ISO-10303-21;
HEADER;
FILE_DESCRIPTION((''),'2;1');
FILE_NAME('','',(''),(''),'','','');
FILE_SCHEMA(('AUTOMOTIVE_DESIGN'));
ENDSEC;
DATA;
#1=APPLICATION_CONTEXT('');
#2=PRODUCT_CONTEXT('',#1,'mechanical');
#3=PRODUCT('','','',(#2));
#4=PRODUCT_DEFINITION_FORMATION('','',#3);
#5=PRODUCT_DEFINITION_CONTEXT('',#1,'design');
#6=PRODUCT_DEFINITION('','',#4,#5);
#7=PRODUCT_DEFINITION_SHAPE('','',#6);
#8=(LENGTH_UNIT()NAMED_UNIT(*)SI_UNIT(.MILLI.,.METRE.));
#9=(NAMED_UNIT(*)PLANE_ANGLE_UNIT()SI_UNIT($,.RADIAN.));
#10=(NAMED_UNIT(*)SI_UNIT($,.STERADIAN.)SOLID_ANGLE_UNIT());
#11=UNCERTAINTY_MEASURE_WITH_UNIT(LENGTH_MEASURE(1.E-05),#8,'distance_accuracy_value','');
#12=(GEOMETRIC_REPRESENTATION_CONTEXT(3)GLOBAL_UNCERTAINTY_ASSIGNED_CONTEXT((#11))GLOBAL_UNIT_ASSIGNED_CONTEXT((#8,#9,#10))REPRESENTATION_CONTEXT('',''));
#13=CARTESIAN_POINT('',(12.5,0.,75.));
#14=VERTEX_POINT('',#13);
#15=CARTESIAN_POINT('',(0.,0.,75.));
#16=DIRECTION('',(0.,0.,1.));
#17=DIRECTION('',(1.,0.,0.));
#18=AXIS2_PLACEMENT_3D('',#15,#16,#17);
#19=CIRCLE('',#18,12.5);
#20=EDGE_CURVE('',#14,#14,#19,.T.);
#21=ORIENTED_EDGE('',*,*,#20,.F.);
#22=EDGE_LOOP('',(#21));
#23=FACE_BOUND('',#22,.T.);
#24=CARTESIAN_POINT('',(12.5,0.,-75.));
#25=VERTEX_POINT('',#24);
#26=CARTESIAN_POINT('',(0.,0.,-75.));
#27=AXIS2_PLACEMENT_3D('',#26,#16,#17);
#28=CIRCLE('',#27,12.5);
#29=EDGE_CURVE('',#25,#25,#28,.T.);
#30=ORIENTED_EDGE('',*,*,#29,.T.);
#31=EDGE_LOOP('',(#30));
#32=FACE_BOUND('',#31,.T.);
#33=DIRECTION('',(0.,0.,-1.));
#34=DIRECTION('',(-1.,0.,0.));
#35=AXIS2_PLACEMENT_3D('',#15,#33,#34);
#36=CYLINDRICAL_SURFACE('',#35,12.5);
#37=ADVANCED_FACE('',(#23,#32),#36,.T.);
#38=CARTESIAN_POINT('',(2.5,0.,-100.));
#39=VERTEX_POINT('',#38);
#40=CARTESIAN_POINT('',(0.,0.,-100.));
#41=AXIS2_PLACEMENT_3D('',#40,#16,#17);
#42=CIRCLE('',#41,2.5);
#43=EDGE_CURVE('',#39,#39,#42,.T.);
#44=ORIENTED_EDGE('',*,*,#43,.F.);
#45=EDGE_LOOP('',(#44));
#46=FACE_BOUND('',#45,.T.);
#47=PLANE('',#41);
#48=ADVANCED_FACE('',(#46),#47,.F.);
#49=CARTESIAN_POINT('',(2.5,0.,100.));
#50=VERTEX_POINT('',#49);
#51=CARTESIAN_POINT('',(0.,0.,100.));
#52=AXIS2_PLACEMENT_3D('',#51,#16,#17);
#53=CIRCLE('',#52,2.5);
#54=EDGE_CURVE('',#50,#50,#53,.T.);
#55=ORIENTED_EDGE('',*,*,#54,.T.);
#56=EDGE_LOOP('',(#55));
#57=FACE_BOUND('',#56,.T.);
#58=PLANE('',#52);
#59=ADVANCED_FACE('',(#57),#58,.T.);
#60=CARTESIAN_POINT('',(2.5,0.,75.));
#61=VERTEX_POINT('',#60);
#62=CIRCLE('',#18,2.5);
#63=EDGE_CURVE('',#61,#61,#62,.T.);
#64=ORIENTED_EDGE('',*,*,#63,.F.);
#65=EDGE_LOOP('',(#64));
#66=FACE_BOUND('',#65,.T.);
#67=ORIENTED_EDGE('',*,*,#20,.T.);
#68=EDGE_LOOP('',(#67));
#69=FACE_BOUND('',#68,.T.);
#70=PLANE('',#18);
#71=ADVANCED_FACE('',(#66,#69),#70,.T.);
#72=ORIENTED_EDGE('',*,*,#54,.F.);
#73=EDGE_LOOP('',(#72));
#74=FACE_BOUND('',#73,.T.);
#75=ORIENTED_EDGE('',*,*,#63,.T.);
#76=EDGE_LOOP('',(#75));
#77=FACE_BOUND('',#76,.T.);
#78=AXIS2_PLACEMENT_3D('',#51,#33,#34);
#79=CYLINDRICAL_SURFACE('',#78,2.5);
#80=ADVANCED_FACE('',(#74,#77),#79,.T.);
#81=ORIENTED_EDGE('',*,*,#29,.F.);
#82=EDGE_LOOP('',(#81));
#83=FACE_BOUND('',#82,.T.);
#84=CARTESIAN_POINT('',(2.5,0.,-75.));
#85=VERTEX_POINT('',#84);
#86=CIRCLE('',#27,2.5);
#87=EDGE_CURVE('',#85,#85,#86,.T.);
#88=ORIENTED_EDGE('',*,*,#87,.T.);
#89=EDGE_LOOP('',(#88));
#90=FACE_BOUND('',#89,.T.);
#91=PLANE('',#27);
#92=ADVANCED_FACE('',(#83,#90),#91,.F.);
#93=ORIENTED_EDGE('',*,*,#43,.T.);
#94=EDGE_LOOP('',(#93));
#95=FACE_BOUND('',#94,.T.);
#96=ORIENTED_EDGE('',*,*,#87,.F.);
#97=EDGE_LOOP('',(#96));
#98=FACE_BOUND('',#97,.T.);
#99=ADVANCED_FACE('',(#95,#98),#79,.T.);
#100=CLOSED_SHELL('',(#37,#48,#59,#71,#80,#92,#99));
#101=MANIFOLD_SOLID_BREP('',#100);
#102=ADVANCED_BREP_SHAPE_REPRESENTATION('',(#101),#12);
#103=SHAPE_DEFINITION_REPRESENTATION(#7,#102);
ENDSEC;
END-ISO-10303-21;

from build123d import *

# Parameters (mm, degrees)
SKETCH_1_R      = 2.5
EXTRUDE_1_DEPTH = 100
SKETCH_3_R      = 12.5
EXTRUDE_2_DEPTH = 75


with BuildPart() as part:
    # 草图1 → 凸台-拉伸1 (new, symmetric)
    with BuildSketch(Plane.XY):
        Circle(SKETCH_1_R)
    extrude(amount=EXTRUDE_1_DEPTH, both=True)

    # 草图3 → 凸台-拉伸2 (add, symmetric)
    with BuildSketch(Plane.XY):
        Circle(SKETCH_3_R)
    extrude(amount=EXTRUDE_2_DEPTH, both=True)


solid = part.part
